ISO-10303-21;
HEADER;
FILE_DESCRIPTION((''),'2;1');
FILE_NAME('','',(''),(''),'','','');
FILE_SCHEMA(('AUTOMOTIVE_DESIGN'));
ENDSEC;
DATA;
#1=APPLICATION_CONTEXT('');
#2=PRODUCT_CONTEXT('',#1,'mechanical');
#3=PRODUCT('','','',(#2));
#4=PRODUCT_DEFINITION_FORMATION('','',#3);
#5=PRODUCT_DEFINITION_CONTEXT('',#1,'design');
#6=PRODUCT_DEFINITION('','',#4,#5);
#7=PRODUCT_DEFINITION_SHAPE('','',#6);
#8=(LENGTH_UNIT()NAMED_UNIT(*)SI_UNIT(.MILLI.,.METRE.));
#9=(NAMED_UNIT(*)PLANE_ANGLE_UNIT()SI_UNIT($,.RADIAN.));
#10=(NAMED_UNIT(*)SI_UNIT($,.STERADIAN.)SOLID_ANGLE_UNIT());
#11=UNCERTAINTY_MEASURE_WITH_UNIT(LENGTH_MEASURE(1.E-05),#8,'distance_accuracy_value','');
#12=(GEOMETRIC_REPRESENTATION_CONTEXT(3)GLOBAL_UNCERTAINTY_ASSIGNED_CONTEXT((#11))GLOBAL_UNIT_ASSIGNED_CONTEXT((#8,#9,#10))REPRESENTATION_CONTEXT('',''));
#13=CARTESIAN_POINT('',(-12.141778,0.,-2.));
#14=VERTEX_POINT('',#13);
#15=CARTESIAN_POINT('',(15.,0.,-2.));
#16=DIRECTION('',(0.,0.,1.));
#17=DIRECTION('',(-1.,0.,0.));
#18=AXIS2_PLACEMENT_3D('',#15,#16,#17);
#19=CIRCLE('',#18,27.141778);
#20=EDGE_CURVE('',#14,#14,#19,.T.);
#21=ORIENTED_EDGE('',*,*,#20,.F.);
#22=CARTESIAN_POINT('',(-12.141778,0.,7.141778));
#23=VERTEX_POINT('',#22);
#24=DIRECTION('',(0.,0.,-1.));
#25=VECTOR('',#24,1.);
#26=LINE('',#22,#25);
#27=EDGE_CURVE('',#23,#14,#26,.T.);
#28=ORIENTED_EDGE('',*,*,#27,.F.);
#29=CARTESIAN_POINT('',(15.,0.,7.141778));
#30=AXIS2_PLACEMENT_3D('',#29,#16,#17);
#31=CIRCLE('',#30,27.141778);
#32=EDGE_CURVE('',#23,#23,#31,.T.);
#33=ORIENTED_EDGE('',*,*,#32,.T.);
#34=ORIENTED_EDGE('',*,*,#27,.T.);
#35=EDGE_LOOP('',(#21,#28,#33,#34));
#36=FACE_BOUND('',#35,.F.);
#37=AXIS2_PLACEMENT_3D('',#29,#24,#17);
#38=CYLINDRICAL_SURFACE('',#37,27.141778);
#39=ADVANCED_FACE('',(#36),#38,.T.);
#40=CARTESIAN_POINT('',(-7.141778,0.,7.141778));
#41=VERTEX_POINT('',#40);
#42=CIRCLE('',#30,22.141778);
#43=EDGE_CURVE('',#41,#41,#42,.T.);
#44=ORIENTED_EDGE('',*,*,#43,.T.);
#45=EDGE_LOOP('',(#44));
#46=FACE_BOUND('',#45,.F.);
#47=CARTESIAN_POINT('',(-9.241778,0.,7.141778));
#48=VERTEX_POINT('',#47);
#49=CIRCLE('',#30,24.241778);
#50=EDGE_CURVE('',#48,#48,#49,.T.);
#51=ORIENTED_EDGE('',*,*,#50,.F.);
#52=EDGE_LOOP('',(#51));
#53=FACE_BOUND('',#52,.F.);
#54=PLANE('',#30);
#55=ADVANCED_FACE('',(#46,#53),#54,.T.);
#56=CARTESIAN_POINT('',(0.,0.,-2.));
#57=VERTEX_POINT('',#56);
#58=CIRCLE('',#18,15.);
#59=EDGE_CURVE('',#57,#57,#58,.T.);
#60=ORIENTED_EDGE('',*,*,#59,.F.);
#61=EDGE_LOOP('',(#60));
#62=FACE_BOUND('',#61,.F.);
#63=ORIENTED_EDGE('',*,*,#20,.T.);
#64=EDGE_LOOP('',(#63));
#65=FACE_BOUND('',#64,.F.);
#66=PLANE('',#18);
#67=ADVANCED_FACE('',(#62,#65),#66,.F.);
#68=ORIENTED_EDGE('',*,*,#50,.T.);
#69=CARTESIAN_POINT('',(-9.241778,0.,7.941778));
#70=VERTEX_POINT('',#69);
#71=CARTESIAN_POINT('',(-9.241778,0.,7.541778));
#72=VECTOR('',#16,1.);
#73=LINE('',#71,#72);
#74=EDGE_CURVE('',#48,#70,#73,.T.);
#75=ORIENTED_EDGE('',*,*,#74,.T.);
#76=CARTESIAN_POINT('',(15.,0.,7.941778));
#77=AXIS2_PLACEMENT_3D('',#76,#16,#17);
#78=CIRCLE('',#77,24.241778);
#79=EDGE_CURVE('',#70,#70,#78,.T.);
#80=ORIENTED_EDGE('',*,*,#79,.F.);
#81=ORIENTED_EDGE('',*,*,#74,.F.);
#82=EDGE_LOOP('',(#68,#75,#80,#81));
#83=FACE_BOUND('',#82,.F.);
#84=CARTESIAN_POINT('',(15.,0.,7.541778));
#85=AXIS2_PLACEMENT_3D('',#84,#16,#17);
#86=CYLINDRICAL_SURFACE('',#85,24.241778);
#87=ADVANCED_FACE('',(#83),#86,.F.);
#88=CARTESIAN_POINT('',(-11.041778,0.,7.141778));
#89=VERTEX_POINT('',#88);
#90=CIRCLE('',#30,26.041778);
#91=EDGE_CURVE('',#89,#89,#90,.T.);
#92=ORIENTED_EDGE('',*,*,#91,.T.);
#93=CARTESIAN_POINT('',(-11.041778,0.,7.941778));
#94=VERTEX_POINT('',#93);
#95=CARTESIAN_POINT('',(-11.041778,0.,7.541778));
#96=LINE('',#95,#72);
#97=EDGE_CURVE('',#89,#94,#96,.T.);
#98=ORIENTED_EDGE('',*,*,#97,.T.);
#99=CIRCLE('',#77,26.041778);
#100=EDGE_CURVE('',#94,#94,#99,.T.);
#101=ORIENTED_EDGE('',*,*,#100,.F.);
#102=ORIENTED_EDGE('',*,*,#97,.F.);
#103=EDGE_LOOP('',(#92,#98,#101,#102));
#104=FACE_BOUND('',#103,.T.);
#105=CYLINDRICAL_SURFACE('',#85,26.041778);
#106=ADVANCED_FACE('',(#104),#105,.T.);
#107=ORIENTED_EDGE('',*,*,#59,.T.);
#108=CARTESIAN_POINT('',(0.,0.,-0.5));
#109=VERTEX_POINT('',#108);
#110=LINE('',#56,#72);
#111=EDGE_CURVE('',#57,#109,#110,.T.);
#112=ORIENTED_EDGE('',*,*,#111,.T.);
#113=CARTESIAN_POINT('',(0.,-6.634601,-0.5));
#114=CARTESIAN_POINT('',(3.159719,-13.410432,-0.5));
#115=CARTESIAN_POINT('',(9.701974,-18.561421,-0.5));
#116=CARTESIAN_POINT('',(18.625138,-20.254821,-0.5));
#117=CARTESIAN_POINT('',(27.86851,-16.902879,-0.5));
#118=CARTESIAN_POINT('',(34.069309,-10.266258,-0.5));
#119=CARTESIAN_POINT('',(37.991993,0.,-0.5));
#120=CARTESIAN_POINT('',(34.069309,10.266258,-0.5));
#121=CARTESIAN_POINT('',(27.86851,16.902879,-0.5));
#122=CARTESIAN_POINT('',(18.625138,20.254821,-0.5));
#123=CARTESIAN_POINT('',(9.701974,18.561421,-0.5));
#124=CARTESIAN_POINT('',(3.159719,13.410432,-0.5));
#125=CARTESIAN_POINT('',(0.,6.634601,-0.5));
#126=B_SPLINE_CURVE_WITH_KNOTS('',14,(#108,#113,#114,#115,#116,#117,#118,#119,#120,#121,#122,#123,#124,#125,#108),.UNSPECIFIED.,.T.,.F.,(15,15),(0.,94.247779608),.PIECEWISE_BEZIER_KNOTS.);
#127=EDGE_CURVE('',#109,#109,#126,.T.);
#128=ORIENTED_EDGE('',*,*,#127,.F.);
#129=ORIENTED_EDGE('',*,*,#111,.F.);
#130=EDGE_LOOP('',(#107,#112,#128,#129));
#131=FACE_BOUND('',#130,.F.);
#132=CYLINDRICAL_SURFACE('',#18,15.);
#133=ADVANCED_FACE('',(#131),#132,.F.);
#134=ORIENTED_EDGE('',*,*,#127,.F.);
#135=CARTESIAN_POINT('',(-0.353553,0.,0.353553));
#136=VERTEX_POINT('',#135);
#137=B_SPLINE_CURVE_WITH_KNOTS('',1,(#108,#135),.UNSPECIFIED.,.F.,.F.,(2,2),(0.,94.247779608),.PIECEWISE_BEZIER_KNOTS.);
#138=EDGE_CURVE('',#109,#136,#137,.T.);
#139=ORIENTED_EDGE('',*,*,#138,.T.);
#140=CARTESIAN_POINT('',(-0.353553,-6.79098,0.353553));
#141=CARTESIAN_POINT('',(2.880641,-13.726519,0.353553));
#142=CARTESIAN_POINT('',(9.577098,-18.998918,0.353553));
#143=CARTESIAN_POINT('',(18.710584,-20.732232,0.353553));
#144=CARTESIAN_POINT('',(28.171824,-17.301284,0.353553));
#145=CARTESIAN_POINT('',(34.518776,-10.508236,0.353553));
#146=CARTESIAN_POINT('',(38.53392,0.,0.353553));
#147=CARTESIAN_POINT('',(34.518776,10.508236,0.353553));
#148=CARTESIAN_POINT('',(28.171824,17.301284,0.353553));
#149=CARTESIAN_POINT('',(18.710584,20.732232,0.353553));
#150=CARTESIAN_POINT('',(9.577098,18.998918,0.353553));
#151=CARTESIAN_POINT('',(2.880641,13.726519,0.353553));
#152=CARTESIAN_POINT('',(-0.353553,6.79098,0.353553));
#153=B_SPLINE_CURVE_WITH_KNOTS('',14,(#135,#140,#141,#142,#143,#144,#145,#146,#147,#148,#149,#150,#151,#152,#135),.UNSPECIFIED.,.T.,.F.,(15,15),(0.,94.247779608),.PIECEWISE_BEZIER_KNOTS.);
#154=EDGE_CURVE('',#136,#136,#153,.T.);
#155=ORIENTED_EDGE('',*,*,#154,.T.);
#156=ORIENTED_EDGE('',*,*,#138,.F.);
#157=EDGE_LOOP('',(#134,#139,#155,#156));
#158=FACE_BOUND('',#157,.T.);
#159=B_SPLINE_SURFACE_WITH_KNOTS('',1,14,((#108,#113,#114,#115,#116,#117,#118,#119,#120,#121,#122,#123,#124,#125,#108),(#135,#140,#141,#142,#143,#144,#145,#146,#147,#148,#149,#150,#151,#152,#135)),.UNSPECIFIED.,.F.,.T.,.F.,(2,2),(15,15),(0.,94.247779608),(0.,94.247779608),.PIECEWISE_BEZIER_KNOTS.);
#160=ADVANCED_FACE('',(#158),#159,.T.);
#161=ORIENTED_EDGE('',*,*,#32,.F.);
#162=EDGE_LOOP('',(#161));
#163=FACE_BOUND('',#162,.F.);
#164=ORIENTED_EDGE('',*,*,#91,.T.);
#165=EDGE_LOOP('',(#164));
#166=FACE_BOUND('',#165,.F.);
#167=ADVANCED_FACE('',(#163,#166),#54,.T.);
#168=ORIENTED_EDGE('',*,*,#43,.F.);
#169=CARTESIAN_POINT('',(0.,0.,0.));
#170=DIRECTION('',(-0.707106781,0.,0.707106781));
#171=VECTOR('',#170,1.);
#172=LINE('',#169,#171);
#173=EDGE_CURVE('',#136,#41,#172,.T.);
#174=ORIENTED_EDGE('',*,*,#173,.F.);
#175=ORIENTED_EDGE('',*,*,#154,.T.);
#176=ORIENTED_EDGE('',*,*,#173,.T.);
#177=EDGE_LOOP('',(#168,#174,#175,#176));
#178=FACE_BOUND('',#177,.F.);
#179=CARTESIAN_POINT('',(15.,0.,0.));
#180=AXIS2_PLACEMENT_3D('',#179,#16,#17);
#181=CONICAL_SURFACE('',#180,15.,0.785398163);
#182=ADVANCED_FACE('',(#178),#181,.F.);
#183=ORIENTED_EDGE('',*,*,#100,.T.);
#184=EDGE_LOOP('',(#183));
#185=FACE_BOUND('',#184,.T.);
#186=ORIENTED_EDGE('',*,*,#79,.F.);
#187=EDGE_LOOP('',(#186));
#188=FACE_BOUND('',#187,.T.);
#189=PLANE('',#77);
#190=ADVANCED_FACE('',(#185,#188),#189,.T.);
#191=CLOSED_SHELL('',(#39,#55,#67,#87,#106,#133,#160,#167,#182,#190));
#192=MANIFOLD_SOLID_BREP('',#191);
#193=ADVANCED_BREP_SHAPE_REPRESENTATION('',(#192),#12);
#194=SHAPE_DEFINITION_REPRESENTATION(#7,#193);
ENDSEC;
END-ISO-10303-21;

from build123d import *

# Parameters (mm, degrees)
F0_W    = 1.8
F0_H    = 0.8
F2_SIZE = 0.5


with BuildPart() as f1:
    # F0 (on Front) → F1 (revolve)
    with BuildSketch(Plane.XZ):
        with Locations((-10.141778, 7.541778)):
            Rectangle(F0_W, F0_H)
        Polygon((0, -2), (0, 0), (-7.141778, 7.141778), (-9.241778, 7.141778), (-11.041778, 7.141778), (-12.141778, 7.141778), (-12.141778, -2), align=None)
    revolve(axis=Axis((15, 0, 2.570889), (0, 0, 1)))

    # F2
    f2_edges = [f1.edges().sort_by_distance(p)[0] for p in [
        (30, 0, 0),
    ]]
    chamfer(f2_edges, length=F2_SIZE)


solid = f1.part
